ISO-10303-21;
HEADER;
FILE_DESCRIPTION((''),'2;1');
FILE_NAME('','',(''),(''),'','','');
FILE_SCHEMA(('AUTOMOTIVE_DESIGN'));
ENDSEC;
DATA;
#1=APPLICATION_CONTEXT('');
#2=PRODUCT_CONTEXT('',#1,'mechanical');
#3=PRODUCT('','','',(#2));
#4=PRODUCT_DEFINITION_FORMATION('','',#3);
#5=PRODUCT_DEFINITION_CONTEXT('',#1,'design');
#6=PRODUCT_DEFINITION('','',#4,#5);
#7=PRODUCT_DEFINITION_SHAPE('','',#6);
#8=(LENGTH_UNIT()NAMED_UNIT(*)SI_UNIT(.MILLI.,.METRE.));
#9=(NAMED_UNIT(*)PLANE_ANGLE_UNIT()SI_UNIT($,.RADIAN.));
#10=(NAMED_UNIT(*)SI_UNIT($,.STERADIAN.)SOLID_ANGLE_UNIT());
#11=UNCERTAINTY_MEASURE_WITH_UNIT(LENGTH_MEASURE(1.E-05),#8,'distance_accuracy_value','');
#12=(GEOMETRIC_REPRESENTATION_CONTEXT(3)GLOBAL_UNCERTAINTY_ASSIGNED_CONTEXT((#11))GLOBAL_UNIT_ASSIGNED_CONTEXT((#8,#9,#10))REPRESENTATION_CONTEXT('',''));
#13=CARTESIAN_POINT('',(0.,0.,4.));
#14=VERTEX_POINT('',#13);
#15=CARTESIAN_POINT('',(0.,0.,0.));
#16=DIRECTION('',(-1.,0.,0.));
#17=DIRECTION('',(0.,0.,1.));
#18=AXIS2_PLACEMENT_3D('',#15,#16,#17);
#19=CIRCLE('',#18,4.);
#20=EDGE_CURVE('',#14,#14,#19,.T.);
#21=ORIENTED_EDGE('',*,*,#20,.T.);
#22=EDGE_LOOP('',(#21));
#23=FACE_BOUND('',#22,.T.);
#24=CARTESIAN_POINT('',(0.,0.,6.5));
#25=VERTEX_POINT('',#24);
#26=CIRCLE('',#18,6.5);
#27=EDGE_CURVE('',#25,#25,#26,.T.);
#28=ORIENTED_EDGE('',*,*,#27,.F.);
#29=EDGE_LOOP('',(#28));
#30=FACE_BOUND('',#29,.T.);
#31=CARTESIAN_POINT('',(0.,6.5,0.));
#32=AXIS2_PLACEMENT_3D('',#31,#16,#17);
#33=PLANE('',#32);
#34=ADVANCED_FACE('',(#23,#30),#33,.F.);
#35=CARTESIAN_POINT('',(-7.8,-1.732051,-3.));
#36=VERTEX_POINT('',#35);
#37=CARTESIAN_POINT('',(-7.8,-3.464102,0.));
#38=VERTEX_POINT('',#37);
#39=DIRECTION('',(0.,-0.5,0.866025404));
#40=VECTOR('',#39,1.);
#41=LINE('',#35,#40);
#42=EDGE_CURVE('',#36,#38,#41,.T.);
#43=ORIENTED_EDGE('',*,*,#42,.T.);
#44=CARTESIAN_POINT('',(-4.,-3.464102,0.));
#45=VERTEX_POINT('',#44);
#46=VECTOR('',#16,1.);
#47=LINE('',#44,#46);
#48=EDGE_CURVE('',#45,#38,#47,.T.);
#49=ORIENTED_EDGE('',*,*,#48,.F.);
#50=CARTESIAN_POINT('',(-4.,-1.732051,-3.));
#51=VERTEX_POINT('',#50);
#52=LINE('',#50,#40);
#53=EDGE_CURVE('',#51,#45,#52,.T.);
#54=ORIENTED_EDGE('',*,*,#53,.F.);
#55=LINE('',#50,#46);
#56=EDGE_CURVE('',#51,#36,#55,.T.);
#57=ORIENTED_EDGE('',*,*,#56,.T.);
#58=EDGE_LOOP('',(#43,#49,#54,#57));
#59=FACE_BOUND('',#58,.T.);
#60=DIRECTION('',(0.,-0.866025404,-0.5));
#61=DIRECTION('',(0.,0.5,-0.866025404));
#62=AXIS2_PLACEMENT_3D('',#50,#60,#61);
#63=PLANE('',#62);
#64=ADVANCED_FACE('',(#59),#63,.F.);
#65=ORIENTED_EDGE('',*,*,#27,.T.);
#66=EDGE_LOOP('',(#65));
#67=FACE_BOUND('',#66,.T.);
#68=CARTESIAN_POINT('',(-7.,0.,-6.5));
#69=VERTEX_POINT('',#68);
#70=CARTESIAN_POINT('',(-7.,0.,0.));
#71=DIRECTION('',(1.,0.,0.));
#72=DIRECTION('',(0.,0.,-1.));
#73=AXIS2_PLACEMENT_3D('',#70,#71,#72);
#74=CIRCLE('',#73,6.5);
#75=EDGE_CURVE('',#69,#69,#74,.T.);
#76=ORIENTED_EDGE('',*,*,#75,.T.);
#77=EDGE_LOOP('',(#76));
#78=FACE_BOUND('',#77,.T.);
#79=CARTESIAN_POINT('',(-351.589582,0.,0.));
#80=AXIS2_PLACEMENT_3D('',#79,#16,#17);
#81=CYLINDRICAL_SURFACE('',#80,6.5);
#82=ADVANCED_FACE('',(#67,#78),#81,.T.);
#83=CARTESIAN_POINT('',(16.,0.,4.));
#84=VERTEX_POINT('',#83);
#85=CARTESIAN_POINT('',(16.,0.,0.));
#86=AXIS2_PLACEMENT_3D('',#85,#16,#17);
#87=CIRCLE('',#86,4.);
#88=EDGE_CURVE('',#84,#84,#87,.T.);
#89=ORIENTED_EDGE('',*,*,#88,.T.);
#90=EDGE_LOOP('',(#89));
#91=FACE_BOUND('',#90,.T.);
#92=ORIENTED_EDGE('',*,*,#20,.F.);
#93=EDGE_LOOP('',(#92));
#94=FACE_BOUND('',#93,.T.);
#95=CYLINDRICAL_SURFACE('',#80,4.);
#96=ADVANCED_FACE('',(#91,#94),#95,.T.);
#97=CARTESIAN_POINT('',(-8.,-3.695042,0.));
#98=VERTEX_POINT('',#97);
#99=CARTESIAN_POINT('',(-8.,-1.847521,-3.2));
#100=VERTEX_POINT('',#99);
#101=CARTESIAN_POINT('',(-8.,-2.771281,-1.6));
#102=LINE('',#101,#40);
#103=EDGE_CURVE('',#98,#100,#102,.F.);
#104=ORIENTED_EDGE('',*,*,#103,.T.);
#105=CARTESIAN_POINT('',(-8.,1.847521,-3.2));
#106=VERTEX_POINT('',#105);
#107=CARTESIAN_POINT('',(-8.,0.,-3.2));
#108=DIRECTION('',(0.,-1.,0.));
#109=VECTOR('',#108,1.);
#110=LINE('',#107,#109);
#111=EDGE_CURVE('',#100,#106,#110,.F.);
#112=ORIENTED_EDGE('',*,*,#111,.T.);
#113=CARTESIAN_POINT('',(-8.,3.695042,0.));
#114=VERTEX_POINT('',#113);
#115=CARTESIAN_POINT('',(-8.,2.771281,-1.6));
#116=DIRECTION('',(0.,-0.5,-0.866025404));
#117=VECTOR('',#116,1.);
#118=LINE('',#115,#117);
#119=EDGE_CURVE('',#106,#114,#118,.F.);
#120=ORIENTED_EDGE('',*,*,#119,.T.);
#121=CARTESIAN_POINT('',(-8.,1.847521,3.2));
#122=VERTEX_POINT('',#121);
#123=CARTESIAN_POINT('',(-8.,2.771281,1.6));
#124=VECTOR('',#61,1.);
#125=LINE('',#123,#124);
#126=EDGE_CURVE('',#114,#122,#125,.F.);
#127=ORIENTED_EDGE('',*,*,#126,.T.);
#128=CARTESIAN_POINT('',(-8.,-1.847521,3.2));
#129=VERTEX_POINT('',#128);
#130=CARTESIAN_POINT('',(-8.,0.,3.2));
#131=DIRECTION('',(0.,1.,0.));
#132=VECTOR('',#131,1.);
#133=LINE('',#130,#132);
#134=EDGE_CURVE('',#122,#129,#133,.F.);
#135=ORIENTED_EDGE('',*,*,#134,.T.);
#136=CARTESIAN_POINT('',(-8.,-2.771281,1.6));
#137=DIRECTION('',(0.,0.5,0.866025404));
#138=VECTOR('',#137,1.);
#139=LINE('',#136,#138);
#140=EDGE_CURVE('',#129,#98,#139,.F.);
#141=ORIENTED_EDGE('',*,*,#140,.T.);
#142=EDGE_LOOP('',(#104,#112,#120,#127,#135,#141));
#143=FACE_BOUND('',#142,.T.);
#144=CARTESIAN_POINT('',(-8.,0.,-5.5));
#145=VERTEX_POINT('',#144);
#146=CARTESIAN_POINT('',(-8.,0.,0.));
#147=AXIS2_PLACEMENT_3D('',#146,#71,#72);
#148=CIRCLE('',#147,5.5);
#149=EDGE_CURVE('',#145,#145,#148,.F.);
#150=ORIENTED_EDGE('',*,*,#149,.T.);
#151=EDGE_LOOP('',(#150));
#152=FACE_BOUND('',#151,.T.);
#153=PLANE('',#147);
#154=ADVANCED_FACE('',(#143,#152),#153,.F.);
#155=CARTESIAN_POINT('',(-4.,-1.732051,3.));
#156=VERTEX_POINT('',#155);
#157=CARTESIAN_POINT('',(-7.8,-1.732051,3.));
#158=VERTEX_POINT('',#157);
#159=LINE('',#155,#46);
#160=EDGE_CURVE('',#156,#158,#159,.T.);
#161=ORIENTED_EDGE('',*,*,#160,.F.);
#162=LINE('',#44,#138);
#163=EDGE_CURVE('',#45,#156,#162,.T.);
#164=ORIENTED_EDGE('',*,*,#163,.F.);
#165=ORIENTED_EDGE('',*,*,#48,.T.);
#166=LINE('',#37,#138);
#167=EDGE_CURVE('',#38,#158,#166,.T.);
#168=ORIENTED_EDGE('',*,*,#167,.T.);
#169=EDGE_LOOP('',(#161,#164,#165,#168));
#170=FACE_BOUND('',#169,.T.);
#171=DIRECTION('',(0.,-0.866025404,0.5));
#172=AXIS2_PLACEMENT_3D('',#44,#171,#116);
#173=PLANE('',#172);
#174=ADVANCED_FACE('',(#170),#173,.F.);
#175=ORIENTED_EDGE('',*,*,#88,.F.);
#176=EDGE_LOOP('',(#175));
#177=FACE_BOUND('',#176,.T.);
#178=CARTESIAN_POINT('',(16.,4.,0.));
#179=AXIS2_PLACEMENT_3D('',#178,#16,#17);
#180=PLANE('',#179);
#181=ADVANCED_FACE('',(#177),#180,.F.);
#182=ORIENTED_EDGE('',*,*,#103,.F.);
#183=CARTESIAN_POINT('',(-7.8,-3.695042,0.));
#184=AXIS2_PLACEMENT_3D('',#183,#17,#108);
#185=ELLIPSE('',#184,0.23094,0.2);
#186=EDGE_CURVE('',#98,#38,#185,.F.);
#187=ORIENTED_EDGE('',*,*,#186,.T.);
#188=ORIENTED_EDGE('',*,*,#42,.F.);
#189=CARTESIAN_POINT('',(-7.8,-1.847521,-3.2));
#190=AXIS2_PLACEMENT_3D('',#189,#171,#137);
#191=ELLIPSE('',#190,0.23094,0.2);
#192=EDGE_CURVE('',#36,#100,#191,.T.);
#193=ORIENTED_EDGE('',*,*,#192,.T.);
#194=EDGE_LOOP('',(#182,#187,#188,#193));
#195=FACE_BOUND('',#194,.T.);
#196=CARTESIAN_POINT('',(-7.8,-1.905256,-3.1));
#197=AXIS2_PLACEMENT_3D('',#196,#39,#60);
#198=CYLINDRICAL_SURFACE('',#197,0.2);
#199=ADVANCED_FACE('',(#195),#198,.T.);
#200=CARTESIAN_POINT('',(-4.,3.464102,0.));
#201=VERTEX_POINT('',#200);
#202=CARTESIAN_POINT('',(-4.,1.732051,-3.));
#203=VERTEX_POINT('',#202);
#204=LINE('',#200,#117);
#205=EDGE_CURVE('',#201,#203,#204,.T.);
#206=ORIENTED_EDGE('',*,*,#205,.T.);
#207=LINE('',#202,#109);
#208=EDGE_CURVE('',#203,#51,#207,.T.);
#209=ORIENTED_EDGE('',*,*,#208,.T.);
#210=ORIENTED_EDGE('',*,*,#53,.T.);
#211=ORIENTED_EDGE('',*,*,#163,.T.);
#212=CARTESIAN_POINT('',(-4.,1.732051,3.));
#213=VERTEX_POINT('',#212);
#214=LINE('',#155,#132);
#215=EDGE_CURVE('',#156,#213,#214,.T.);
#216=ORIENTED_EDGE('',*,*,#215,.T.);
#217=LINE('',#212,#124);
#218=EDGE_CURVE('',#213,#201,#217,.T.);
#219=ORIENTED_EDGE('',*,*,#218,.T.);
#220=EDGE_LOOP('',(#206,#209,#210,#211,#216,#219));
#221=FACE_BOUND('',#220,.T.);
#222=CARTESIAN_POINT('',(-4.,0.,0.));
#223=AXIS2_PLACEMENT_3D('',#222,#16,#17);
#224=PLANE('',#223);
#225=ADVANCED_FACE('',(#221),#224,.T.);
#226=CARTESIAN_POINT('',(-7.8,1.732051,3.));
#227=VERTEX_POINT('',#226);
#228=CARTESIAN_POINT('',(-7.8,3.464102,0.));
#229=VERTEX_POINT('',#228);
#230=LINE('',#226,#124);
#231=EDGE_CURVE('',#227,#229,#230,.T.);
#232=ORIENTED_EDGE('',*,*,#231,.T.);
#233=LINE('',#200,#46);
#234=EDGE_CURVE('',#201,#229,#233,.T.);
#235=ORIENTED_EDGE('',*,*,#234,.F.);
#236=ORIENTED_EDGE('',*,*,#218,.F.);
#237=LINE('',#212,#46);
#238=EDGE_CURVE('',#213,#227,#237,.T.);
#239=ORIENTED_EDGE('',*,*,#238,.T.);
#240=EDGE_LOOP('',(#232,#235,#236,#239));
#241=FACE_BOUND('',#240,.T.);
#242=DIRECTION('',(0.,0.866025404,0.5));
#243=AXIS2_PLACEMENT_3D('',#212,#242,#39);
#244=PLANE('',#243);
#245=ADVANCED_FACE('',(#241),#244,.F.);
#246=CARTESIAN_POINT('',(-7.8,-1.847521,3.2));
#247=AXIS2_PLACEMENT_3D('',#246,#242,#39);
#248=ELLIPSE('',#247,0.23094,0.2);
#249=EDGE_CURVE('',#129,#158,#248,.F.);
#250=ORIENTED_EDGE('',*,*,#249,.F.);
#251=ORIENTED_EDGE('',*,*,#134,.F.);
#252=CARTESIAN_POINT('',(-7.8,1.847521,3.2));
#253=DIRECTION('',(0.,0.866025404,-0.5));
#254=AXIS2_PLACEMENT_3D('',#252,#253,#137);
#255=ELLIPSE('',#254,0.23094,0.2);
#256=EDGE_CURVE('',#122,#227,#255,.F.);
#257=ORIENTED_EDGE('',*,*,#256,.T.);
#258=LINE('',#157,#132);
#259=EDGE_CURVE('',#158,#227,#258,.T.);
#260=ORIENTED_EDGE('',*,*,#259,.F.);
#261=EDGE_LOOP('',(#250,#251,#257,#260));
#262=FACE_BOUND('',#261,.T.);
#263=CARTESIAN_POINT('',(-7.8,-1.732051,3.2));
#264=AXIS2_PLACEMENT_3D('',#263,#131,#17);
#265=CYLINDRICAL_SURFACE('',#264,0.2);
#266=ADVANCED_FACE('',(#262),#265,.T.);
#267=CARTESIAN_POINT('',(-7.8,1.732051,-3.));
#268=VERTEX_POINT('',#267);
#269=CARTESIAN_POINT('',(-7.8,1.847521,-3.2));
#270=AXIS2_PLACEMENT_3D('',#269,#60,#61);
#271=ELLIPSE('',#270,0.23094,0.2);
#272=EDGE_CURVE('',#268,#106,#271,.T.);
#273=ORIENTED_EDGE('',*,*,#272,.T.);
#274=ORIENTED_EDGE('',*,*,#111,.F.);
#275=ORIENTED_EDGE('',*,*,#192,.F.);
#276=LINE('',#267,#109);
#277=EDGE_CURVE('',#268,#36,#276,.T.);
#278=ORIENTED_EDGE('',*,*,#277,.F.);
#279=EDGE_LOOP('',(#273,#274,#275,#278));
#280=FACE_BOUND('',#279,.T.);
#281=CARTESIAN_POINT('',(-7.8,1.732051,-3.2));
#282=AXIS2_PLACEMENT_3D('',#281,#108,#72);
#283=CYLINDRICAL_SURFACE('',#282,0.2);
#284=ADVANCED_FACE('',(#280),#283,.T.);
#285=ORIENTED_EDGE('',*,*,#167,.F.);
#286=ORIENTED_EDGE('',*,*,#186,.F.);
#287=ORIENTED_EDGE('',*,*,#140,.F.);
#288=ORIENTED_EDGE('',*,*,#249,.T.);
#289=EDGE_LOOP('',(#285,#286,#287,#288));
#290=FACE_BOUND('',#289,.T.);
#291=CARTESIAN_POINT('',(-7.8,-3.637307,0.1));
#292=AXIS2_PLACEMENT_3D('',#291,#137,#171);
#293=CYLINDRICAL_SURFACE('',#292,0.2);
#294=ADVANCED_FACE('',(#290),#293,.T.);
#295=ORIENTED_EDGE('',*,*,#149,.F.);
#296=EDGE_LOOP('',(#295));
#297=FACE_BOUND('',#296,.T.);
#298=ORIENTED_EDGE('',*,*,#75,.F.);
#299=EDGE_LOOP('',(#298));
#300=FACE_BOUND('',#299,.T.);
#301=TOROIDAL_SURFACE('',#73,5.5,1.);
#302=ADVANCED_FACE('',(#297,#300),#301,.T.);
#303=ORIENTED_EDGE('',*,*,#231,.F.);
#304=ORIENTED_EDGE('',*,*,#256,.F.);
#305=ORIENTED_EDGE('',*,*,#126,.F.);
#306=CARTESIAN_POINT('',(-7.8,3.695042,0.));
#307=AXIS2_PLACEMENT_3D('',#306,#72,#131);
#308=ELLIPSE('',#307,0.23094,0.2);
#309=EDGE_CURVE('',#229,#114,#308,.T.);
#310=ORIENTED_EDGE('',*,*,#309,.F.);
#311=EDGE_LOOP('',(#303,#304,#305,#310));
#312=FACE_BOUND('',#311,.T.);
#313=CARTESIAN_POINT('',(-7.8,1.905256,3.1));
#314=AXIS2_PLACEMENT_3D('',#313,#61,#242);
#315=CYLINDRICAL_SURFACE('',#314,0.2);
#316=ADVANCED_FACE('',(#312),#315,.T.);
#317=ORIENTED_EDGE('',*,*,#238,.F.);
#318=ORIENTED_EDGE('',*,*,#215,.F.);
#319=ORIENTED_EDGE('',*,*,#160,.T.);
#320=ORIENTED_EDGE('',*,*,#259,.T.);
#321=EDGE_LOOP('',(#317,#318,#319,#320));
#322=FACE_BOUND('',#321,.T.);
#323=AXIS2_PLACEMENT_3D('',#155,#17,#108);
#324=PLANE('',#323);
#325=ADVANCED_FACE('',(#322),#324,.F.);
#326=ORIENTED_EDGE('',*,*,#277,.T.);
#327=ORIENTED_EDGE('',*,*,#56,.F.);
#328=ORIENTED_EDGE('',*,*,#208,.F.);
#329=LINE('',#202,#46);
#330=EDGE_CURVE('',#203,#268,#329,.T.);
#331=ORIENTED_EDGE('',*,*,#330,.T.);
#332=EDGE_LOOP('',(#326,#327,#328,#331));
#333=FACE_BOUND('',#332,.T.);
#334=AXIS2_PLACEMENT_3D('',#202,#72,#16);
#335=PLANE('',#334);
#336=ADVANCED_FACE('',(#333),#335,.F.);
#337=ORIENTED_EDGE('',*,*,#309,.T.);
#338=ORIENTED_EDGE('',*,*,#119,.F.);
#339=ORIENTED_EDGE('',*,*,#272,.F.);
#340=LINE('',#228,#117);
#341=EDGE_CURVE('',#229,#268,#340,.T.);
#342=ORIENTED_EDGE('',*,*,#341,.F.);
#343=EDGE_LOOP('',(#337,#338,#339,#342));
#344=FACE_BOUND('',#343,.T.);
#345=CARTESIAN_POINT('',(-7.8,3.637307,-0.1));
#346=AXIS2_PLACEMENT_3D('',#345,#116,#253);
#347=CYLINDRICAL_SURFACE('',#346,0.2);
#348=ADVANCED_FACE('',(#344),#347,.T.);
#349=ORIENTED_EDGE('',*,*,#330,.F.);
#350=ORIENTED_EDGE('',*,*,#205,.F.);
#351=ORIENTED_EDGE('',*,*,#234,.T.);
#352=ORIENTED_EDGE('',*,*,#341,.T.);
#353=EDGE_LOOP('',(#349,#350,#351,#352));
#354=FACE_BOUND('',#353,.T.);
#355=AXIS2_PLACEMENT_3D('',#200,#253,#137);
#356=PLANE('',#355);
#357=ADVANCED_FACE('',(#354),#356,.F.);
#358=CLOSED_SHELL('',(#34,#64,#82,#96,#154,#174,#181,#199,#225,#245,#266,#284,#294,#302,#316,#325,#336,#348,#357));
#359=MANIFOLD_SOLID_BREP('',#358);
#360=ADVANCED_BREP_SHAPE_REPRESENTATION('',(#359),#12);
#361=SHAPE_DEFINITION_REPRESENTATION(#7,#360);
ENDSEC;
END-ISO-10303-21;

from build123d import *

# Parameters (mm, degrees)
CUT_EXTRUDE_1_DEPTH = 4
FILLET_1_R          = 1
FILLET_2_R          = 0.2


with BuildPart() as part:
    # Эскиз1 → Повернуть1 (revolve)
    with BuildSketch(Plane.XY):
        Polygon((-8, 0), (-8, 6.5), (0, 6.5), (0, 4), (16, 4), (16, 0), align=None)
    revolve(axis=Axis((-351.589582302, 0, 0), (1, 0, 0)))

    # Эскиз2 → Вырез-Вытянуть1 (cut)
    with BuildSketch(Plane.ZY.offset(8)):
        Polygon((0, -3.464101615), (3, -1.732050808), (3, 1.732050808), (0, 3.464101615), (-3, 1.732050808), (-3, -1.732050808), align=None)
    extrude(amount=-CUT_EXTRUDE_1_DEPTH, mode=Mode.SUBTRACT)

    # Скругление1
    fillet_1_edges = [part.edges().sort_by_distance(p)[0] for p in [
        (-8, -6.5, 0),
    ]]
    fillet(fillet_1_edges, radius=FILLET_1_R)

    # Скругление2
    fillet_2_edges = [part.edges().sort_by_distance(p)[0] for p in [
        (-8, -2.598076211, -1.5),
        (-8, -2.598076211, 1.5),
        (-8, 0, 3),
        (-8, 2.598076211, 1.5),
        (-8, 2.598076211, -1.5),
        (-8, 0, -3),
    ]]
    fillet(fillet_2_edges, radius=FILLET_2_R)


solid = part.part
